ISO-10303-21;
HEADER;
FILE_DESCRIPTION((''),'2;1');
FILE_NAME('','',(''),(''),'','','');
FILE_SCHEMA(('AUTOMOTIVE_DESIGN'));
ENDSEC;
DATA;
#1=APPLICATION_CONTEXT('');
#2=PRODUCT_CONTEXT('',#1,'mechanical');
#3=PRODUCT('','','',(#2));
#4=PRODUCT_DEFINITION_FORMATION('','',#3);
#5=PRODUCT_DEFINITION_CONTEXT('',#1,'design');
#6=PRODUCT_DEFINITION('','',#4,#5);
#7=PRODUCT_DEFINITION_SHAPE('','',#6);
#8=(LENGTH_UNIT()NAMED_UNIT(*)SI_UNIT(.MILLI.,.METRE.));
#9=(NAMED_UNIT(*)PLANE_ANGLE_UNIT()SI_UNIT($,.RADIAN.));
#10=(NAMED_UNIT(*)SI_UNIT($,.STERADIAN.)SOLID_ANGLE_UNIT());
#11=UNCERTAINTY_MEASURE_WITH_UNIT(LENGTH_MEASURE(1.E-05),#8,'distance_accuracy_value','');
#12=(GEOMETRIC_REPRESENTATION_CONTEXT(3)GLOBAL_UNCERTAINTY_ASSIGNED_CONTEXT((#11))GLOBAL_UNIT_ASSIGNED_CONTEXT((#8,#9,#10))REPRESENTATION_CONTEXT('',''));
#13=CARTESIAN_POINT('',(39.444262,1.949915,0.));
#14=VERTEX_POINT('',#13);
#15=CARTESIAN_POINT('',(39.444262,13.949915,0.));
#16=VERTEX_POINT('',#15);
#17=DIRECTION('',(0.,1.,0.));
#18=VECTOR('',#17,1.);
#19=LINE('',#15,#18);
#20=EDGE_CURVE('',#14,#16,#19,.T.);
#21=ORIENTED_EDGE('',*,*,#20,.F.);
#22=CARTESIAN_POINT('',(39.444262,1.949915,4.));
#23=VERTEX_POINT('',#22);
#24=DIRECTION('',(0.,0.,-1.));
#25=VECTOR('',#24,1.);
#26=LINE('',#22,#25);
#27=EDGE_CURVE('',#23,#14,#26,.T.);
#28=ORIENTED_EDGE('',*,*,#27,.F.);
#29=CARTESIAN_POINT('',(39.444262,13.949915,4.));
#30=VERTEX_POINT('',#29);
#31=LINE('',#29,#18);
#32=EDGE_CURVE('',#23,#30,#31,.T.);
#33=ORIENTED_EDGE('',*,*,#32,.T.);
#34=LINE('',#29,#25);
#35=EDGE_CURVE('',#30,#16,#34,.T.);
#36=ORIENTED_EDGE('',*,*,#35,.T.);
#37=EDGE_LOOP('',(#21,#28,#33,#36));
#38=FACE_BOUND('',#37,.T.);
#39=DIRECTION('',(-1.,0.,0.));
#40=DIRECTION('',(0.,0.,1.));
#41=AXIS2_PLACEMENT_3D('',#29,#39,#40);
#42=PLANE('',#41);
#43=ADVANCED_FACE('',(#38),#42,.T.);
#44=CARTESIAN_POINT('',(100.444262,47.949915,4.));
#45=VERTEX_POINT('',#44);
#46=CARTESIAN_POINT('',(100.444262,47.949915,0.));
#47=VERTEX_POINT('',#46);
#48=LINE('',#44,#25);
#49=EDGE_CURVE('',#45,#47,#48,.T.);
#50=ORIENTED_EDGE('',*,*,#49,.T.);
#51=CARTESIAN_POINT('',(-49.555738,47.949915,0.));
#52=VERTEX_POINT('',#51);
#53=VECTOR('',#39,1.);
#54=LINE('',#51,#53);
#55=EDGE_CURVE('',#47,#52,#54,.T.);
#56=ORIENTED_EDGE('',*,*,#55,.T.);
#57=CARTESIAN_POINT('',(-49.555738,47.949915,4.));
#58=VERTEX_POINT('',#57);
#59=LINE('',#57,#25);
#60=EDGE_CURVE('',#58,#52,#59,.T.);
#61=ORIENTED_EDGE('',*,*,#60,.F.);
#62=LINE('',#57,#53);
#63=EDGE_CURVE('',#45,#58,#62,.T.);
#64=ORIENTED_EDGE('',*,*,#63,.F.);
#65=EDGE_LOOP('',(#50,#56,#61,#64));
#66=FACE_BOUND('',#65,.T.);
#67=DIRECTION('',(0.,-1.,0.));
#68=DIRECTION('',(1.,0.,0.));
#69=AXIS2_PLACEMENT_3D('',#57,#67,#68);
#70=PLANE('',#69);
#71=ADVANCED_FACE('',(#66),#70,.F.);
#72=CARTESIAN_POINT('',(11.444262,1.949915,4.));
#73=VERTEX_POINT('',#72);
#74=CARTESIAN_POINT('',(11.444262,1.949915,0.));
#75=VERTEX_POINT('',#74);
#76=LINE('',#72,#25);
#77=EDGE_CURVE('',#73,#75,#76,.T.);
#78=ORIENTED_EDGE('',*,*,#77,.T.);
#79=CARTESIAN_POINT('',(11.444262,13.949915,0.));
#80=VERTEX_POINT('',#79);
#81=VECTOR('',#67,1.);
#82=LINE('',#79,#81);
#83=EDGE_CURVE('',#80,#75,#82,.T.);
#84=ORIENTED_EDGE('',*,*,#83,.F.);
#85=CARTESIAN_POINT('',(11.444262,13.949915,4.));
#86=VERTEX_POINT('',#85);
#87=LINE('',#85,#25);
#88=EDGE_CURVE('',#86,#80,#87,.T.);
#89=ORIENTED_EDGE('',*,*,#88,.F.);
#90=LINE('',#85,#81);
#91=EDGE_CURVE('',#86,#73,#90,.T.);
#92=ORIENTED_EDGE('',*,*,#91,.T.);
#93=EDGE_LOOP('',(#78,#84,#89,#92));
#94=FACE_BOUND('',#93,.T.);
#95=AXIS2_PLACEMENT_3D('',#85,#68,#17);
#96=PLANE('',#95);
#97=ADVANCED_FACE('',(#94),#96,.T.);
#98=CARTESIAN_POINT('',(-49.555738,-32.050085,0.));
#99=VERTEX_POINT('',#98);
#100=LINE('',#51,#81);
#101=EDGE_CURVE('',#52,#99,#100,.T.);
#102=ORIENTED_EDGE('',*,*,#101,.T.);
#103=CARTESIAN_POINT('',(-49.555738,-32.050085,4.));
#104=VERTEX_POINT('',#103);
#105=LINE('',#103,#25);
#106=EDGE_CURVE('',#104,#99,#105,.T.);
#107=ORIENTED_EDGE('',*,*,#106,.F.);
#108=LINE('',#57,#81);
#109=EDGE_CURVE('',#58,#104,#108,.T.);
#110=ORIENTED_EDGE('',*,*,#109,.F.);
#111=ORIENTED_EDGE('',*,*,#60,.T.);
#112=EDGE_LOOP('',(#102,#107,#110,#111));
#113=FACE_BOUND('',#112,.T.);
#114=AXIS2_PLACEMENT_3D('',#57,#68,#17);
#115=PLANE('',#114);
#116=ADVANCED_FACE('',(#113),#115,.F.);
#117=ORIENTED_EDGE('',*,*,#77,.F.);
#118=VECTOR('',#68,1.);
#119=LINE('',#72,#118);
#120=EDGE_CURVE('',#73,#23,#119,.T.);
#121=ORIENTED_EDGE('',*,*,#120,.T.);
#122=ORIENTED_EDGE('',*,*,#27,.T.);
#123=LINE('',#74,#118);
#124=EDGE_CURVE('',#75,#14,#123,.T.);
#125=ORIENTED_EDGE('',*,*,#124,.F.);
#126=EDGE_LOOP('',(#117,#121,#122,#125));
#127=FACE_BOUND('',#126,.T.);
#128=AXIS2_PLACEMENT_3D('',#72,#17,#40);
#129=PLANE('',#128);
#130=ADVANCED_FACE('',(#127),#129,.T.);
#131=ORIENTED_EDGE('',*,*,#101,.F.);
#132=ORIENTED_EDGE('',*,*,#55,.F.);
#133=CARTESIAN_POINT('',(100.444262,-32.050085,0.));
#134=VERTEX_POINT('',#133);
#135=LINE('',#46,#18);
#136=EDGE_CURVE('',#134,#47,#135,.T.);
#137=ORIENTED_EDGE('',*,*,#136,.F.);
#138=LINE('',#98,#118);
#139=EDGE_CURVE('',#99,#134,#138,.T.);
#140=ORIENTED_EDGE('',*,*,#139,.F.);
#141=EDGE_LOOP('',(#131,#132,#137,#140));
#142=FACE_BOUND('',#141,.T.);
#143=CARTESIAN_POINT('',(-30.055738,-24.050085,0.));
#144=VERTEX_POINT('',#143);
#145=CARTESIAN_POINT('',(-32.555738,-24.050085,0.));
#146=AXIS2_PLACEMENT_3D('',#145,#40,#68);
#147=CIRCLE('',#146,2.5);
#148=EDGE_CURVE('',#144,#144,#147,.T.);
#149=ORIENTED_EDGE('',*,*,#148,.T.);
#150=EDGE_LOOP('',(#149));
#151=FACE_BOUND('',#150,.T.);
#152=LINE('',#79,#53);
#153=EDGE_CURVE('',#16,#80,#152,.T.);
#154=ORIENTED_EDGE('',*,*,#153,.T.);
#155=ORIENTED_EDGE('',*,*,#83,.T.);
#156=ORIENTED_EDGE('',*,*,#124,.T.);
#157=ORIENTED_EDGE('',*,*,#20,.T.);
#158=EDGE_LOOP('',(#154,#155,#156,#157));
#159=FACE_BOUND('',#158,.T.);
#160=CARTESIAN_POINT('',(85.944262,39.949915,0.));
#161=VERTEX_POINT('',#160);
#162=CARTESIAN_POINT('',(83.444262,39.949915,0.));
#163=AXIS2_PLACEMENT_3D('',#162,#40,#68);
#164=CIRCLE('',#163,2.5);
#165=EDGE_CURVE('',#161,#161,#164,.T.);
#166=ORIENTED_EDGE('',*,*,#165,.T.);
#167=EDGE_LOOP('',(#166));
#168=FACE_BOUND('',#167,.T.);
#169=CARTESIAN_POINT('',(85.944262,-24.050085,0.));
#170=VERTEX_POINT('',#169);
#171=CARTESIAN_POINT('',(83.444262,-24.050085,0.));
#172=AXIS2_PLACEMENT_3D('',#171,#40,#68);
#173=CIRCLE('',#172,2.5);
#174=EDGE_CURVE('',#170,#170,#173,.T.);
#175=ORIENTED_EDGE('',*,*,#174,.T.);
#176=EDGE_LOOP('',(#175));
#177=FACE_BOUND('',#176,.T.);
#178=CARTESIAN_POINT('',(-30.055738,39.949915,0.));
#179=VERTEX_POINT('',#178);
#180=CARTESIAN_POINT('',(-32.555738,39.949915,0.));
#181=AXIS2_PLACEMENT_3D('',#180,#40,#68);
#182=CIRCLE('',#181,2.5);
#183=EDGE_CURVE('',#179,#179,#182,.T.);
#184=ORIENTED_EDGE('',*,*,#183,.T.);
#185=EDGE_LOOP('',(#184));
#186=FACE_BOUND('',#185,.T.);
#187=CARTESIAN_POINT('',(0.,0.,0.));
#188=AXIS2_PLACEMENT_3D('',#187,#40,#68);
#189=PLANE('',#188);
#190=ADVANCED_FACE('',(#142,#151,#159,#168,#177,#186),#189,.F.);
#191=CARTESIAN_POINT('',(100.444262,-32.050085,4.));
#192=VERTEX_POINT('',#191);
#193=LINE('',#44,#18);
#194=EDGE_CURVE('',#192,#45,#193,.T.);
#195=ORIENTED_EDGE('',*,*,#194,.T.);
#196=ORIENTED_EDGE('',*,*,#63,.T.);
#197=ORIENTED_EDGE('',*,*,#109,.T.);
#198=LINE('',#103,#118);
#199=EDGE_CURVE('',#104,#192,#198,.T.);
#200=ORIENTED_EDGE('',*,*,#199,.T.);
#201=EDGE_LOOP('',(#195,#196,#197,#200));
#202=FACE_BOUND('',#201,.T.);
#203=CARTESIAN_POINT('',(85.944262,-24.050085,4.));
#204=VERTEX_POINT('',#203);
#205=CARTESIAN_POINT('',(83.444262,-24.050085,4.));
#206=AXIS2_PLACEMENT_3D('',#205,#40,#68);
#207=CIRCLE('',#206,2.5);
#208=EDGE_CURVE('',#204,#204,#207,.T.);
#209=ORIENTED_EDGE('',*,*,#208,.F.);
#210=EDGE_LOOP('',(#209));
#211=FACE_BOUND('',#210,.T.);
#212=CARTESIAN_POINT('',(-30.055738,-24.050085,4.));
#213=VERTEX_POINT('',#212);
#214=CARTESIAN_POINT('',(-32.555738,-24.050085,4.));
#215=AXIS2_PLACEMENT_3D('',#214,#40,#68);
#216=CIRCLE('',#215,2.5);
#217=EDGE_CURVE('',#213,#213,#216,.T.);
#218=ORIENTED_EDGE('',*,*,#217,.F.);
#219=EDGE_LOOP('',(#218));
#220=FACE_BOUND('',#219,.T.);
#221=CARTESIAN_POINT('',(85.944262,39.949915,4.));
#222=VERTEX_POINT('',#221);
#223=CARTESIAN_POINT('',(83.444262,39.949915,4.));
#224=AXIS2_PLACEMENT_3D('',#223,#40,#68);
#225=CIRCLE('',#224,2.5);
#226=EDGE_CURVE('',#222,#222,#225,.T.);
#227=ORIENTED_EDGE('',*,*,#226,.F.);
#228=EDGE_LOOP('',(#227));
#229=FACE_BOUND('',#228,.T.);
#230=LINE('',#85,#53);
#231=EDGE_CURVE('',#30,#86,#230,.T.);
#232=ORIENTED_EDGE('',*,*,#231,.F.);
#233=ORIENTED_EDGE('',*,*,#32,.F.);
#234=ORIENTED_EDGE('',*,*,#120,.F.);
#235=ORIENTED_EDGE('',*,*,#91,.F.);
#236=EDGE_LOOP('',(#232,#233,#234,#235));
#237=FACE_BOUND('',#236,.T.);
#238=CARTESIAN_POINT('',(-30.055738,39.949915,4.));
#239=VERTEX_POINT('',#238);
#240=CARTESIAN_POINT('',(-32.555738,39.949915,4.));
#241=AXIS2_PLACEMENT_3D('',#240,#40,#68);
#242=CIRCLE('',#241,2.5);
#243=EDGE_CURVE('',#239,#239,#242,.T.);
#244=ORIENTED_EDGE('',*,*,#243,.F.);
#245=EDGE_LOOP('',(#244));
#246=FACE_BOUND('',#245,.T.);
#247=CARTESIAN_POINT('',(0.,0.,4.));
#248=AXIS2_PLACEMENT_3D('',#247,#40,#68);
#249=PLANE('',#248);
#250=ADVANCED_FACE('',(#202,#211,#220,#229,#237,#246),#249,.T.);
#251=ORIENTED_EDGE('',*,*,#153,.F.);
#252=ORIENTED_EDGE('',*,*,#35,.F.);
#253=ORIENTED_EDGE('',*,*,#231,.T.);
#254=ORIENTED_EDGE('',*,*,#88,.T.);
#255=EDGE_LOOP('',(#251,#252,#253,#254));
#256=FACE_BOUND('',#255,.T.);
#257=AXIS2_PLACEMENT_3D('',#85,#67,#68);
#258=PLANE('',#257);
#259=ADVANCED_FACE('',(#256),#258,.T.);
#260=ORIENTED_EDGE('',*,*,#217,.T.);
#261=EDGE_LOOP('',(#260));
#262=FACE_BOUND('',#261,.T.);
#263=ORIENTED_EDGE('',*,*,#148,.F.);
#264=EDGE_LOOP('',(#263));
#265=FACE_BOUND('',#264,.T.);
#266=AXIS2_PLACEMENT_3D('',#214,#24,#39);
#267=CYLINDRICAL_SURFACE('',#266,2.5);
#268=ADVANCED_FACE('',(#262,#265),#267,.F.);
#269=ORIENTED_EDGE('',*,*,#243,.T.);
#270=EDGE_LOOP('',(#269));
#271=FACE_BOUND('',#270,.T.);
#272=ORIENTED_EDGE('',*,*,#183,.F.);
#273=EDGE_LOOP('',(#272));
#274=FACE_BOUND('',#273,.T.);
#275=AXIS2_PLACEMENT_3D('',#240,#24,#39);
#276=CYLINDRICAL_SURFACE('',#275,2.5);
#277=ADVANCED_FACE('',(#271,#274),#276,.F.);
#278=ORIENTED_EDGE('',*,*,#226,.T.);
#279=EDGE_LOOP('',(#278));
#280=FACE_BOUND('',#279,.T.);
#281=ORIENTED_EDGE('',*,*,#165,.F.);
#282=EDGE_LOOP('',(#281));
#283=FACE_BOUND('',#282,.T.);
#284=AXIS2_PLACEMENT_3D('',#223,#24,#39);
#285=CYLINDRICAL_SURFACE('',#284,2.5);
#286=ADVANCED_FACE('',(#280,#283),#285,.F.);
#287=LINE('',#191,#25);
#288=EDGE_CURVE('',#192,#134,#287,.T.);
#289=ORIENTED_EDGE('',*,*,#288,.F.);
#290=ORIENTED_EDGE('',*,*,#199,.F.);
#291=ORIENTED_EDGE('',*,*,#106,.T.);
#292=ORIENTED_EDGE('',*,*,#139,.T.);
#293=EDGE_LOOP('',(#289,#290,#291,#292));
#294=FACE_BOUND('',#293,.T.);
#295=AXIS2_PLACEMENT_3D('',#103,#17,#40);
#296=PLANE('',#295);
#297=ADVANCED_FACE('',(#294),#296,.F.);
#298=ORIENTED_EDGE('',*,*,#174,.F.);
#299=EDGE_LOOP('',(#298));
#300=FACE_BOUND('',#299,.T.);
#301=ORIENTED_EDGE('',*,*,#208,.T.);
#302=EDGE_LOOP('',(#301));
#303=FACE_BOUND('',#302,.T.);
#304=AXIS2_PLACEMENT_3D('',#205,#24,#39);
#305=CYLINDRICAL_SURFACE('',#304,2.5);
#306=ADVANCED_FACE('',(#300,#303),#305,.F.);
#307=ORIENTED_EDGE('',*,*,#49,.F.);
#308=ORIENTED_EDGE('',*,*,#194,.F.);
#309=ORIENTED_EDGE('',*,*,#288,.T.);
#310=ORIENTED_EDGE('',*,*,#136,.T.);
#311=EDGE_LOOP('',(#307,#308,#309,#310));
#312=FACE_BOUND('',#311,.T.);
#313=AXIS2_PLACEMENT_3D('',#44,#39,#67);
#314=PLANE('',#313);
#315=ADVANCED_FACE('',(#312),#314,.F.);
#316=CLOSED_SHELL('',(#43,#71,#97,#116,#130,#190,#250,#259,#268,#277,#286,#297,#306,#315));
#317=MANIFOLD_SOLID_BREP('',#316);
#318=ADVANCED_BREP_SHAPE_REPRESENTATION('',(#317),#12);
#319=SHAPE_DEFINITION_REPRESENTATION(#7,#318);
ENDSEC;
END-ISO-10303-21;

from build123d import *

# Parameters (mm, degrees)
ESBO_O1_W                = 150
ESBO_O1_H                = 80
ESBO_O1_R                = 2.5
ESBO_O1_W_2              = 28
ESBO_O1_H_2              = 12
RESSALTO_EXTRUS_O2_DEPTH = 4


with BuildPart() as part:
    # Esboço1 → Ressalto-extrusão2 (new body)
    with BuildSketch(Plane.XY):
        with Locations((25.444262425, 7.949915335)):
            Rectangle(ESBO_O1_W, ESBO_O1_H)
        with Locations((-32.555737575, 39.949915335)):
            Circle(ESBO_O1_R, mode=Mode.SUBTRACT)
        with Locations((-32.555737575, -24.050084665)):
            Circle(ESBO_O1_R, mode=Mode.SUBTRACT)
        with Locations((83.444262425, 39.949915335)):
            Circle(ESBO_O1_R, mode=Mode.SUBTRACT)
        with Locations((83.444262425, -24.050084665)):
            Circle(ESBO_O1_R, mode=Mode.SUBTRACT)
        with Locations((25.444262425, 7.949915335)):
            Rectangle(ESBO_O1_W_2, ESBO_O1_H_2, mode=Mode.SUBTRACT)
    extrude(amount=RESSALTO_EXTRUS_O2_DEPTH)


solid = part.part
